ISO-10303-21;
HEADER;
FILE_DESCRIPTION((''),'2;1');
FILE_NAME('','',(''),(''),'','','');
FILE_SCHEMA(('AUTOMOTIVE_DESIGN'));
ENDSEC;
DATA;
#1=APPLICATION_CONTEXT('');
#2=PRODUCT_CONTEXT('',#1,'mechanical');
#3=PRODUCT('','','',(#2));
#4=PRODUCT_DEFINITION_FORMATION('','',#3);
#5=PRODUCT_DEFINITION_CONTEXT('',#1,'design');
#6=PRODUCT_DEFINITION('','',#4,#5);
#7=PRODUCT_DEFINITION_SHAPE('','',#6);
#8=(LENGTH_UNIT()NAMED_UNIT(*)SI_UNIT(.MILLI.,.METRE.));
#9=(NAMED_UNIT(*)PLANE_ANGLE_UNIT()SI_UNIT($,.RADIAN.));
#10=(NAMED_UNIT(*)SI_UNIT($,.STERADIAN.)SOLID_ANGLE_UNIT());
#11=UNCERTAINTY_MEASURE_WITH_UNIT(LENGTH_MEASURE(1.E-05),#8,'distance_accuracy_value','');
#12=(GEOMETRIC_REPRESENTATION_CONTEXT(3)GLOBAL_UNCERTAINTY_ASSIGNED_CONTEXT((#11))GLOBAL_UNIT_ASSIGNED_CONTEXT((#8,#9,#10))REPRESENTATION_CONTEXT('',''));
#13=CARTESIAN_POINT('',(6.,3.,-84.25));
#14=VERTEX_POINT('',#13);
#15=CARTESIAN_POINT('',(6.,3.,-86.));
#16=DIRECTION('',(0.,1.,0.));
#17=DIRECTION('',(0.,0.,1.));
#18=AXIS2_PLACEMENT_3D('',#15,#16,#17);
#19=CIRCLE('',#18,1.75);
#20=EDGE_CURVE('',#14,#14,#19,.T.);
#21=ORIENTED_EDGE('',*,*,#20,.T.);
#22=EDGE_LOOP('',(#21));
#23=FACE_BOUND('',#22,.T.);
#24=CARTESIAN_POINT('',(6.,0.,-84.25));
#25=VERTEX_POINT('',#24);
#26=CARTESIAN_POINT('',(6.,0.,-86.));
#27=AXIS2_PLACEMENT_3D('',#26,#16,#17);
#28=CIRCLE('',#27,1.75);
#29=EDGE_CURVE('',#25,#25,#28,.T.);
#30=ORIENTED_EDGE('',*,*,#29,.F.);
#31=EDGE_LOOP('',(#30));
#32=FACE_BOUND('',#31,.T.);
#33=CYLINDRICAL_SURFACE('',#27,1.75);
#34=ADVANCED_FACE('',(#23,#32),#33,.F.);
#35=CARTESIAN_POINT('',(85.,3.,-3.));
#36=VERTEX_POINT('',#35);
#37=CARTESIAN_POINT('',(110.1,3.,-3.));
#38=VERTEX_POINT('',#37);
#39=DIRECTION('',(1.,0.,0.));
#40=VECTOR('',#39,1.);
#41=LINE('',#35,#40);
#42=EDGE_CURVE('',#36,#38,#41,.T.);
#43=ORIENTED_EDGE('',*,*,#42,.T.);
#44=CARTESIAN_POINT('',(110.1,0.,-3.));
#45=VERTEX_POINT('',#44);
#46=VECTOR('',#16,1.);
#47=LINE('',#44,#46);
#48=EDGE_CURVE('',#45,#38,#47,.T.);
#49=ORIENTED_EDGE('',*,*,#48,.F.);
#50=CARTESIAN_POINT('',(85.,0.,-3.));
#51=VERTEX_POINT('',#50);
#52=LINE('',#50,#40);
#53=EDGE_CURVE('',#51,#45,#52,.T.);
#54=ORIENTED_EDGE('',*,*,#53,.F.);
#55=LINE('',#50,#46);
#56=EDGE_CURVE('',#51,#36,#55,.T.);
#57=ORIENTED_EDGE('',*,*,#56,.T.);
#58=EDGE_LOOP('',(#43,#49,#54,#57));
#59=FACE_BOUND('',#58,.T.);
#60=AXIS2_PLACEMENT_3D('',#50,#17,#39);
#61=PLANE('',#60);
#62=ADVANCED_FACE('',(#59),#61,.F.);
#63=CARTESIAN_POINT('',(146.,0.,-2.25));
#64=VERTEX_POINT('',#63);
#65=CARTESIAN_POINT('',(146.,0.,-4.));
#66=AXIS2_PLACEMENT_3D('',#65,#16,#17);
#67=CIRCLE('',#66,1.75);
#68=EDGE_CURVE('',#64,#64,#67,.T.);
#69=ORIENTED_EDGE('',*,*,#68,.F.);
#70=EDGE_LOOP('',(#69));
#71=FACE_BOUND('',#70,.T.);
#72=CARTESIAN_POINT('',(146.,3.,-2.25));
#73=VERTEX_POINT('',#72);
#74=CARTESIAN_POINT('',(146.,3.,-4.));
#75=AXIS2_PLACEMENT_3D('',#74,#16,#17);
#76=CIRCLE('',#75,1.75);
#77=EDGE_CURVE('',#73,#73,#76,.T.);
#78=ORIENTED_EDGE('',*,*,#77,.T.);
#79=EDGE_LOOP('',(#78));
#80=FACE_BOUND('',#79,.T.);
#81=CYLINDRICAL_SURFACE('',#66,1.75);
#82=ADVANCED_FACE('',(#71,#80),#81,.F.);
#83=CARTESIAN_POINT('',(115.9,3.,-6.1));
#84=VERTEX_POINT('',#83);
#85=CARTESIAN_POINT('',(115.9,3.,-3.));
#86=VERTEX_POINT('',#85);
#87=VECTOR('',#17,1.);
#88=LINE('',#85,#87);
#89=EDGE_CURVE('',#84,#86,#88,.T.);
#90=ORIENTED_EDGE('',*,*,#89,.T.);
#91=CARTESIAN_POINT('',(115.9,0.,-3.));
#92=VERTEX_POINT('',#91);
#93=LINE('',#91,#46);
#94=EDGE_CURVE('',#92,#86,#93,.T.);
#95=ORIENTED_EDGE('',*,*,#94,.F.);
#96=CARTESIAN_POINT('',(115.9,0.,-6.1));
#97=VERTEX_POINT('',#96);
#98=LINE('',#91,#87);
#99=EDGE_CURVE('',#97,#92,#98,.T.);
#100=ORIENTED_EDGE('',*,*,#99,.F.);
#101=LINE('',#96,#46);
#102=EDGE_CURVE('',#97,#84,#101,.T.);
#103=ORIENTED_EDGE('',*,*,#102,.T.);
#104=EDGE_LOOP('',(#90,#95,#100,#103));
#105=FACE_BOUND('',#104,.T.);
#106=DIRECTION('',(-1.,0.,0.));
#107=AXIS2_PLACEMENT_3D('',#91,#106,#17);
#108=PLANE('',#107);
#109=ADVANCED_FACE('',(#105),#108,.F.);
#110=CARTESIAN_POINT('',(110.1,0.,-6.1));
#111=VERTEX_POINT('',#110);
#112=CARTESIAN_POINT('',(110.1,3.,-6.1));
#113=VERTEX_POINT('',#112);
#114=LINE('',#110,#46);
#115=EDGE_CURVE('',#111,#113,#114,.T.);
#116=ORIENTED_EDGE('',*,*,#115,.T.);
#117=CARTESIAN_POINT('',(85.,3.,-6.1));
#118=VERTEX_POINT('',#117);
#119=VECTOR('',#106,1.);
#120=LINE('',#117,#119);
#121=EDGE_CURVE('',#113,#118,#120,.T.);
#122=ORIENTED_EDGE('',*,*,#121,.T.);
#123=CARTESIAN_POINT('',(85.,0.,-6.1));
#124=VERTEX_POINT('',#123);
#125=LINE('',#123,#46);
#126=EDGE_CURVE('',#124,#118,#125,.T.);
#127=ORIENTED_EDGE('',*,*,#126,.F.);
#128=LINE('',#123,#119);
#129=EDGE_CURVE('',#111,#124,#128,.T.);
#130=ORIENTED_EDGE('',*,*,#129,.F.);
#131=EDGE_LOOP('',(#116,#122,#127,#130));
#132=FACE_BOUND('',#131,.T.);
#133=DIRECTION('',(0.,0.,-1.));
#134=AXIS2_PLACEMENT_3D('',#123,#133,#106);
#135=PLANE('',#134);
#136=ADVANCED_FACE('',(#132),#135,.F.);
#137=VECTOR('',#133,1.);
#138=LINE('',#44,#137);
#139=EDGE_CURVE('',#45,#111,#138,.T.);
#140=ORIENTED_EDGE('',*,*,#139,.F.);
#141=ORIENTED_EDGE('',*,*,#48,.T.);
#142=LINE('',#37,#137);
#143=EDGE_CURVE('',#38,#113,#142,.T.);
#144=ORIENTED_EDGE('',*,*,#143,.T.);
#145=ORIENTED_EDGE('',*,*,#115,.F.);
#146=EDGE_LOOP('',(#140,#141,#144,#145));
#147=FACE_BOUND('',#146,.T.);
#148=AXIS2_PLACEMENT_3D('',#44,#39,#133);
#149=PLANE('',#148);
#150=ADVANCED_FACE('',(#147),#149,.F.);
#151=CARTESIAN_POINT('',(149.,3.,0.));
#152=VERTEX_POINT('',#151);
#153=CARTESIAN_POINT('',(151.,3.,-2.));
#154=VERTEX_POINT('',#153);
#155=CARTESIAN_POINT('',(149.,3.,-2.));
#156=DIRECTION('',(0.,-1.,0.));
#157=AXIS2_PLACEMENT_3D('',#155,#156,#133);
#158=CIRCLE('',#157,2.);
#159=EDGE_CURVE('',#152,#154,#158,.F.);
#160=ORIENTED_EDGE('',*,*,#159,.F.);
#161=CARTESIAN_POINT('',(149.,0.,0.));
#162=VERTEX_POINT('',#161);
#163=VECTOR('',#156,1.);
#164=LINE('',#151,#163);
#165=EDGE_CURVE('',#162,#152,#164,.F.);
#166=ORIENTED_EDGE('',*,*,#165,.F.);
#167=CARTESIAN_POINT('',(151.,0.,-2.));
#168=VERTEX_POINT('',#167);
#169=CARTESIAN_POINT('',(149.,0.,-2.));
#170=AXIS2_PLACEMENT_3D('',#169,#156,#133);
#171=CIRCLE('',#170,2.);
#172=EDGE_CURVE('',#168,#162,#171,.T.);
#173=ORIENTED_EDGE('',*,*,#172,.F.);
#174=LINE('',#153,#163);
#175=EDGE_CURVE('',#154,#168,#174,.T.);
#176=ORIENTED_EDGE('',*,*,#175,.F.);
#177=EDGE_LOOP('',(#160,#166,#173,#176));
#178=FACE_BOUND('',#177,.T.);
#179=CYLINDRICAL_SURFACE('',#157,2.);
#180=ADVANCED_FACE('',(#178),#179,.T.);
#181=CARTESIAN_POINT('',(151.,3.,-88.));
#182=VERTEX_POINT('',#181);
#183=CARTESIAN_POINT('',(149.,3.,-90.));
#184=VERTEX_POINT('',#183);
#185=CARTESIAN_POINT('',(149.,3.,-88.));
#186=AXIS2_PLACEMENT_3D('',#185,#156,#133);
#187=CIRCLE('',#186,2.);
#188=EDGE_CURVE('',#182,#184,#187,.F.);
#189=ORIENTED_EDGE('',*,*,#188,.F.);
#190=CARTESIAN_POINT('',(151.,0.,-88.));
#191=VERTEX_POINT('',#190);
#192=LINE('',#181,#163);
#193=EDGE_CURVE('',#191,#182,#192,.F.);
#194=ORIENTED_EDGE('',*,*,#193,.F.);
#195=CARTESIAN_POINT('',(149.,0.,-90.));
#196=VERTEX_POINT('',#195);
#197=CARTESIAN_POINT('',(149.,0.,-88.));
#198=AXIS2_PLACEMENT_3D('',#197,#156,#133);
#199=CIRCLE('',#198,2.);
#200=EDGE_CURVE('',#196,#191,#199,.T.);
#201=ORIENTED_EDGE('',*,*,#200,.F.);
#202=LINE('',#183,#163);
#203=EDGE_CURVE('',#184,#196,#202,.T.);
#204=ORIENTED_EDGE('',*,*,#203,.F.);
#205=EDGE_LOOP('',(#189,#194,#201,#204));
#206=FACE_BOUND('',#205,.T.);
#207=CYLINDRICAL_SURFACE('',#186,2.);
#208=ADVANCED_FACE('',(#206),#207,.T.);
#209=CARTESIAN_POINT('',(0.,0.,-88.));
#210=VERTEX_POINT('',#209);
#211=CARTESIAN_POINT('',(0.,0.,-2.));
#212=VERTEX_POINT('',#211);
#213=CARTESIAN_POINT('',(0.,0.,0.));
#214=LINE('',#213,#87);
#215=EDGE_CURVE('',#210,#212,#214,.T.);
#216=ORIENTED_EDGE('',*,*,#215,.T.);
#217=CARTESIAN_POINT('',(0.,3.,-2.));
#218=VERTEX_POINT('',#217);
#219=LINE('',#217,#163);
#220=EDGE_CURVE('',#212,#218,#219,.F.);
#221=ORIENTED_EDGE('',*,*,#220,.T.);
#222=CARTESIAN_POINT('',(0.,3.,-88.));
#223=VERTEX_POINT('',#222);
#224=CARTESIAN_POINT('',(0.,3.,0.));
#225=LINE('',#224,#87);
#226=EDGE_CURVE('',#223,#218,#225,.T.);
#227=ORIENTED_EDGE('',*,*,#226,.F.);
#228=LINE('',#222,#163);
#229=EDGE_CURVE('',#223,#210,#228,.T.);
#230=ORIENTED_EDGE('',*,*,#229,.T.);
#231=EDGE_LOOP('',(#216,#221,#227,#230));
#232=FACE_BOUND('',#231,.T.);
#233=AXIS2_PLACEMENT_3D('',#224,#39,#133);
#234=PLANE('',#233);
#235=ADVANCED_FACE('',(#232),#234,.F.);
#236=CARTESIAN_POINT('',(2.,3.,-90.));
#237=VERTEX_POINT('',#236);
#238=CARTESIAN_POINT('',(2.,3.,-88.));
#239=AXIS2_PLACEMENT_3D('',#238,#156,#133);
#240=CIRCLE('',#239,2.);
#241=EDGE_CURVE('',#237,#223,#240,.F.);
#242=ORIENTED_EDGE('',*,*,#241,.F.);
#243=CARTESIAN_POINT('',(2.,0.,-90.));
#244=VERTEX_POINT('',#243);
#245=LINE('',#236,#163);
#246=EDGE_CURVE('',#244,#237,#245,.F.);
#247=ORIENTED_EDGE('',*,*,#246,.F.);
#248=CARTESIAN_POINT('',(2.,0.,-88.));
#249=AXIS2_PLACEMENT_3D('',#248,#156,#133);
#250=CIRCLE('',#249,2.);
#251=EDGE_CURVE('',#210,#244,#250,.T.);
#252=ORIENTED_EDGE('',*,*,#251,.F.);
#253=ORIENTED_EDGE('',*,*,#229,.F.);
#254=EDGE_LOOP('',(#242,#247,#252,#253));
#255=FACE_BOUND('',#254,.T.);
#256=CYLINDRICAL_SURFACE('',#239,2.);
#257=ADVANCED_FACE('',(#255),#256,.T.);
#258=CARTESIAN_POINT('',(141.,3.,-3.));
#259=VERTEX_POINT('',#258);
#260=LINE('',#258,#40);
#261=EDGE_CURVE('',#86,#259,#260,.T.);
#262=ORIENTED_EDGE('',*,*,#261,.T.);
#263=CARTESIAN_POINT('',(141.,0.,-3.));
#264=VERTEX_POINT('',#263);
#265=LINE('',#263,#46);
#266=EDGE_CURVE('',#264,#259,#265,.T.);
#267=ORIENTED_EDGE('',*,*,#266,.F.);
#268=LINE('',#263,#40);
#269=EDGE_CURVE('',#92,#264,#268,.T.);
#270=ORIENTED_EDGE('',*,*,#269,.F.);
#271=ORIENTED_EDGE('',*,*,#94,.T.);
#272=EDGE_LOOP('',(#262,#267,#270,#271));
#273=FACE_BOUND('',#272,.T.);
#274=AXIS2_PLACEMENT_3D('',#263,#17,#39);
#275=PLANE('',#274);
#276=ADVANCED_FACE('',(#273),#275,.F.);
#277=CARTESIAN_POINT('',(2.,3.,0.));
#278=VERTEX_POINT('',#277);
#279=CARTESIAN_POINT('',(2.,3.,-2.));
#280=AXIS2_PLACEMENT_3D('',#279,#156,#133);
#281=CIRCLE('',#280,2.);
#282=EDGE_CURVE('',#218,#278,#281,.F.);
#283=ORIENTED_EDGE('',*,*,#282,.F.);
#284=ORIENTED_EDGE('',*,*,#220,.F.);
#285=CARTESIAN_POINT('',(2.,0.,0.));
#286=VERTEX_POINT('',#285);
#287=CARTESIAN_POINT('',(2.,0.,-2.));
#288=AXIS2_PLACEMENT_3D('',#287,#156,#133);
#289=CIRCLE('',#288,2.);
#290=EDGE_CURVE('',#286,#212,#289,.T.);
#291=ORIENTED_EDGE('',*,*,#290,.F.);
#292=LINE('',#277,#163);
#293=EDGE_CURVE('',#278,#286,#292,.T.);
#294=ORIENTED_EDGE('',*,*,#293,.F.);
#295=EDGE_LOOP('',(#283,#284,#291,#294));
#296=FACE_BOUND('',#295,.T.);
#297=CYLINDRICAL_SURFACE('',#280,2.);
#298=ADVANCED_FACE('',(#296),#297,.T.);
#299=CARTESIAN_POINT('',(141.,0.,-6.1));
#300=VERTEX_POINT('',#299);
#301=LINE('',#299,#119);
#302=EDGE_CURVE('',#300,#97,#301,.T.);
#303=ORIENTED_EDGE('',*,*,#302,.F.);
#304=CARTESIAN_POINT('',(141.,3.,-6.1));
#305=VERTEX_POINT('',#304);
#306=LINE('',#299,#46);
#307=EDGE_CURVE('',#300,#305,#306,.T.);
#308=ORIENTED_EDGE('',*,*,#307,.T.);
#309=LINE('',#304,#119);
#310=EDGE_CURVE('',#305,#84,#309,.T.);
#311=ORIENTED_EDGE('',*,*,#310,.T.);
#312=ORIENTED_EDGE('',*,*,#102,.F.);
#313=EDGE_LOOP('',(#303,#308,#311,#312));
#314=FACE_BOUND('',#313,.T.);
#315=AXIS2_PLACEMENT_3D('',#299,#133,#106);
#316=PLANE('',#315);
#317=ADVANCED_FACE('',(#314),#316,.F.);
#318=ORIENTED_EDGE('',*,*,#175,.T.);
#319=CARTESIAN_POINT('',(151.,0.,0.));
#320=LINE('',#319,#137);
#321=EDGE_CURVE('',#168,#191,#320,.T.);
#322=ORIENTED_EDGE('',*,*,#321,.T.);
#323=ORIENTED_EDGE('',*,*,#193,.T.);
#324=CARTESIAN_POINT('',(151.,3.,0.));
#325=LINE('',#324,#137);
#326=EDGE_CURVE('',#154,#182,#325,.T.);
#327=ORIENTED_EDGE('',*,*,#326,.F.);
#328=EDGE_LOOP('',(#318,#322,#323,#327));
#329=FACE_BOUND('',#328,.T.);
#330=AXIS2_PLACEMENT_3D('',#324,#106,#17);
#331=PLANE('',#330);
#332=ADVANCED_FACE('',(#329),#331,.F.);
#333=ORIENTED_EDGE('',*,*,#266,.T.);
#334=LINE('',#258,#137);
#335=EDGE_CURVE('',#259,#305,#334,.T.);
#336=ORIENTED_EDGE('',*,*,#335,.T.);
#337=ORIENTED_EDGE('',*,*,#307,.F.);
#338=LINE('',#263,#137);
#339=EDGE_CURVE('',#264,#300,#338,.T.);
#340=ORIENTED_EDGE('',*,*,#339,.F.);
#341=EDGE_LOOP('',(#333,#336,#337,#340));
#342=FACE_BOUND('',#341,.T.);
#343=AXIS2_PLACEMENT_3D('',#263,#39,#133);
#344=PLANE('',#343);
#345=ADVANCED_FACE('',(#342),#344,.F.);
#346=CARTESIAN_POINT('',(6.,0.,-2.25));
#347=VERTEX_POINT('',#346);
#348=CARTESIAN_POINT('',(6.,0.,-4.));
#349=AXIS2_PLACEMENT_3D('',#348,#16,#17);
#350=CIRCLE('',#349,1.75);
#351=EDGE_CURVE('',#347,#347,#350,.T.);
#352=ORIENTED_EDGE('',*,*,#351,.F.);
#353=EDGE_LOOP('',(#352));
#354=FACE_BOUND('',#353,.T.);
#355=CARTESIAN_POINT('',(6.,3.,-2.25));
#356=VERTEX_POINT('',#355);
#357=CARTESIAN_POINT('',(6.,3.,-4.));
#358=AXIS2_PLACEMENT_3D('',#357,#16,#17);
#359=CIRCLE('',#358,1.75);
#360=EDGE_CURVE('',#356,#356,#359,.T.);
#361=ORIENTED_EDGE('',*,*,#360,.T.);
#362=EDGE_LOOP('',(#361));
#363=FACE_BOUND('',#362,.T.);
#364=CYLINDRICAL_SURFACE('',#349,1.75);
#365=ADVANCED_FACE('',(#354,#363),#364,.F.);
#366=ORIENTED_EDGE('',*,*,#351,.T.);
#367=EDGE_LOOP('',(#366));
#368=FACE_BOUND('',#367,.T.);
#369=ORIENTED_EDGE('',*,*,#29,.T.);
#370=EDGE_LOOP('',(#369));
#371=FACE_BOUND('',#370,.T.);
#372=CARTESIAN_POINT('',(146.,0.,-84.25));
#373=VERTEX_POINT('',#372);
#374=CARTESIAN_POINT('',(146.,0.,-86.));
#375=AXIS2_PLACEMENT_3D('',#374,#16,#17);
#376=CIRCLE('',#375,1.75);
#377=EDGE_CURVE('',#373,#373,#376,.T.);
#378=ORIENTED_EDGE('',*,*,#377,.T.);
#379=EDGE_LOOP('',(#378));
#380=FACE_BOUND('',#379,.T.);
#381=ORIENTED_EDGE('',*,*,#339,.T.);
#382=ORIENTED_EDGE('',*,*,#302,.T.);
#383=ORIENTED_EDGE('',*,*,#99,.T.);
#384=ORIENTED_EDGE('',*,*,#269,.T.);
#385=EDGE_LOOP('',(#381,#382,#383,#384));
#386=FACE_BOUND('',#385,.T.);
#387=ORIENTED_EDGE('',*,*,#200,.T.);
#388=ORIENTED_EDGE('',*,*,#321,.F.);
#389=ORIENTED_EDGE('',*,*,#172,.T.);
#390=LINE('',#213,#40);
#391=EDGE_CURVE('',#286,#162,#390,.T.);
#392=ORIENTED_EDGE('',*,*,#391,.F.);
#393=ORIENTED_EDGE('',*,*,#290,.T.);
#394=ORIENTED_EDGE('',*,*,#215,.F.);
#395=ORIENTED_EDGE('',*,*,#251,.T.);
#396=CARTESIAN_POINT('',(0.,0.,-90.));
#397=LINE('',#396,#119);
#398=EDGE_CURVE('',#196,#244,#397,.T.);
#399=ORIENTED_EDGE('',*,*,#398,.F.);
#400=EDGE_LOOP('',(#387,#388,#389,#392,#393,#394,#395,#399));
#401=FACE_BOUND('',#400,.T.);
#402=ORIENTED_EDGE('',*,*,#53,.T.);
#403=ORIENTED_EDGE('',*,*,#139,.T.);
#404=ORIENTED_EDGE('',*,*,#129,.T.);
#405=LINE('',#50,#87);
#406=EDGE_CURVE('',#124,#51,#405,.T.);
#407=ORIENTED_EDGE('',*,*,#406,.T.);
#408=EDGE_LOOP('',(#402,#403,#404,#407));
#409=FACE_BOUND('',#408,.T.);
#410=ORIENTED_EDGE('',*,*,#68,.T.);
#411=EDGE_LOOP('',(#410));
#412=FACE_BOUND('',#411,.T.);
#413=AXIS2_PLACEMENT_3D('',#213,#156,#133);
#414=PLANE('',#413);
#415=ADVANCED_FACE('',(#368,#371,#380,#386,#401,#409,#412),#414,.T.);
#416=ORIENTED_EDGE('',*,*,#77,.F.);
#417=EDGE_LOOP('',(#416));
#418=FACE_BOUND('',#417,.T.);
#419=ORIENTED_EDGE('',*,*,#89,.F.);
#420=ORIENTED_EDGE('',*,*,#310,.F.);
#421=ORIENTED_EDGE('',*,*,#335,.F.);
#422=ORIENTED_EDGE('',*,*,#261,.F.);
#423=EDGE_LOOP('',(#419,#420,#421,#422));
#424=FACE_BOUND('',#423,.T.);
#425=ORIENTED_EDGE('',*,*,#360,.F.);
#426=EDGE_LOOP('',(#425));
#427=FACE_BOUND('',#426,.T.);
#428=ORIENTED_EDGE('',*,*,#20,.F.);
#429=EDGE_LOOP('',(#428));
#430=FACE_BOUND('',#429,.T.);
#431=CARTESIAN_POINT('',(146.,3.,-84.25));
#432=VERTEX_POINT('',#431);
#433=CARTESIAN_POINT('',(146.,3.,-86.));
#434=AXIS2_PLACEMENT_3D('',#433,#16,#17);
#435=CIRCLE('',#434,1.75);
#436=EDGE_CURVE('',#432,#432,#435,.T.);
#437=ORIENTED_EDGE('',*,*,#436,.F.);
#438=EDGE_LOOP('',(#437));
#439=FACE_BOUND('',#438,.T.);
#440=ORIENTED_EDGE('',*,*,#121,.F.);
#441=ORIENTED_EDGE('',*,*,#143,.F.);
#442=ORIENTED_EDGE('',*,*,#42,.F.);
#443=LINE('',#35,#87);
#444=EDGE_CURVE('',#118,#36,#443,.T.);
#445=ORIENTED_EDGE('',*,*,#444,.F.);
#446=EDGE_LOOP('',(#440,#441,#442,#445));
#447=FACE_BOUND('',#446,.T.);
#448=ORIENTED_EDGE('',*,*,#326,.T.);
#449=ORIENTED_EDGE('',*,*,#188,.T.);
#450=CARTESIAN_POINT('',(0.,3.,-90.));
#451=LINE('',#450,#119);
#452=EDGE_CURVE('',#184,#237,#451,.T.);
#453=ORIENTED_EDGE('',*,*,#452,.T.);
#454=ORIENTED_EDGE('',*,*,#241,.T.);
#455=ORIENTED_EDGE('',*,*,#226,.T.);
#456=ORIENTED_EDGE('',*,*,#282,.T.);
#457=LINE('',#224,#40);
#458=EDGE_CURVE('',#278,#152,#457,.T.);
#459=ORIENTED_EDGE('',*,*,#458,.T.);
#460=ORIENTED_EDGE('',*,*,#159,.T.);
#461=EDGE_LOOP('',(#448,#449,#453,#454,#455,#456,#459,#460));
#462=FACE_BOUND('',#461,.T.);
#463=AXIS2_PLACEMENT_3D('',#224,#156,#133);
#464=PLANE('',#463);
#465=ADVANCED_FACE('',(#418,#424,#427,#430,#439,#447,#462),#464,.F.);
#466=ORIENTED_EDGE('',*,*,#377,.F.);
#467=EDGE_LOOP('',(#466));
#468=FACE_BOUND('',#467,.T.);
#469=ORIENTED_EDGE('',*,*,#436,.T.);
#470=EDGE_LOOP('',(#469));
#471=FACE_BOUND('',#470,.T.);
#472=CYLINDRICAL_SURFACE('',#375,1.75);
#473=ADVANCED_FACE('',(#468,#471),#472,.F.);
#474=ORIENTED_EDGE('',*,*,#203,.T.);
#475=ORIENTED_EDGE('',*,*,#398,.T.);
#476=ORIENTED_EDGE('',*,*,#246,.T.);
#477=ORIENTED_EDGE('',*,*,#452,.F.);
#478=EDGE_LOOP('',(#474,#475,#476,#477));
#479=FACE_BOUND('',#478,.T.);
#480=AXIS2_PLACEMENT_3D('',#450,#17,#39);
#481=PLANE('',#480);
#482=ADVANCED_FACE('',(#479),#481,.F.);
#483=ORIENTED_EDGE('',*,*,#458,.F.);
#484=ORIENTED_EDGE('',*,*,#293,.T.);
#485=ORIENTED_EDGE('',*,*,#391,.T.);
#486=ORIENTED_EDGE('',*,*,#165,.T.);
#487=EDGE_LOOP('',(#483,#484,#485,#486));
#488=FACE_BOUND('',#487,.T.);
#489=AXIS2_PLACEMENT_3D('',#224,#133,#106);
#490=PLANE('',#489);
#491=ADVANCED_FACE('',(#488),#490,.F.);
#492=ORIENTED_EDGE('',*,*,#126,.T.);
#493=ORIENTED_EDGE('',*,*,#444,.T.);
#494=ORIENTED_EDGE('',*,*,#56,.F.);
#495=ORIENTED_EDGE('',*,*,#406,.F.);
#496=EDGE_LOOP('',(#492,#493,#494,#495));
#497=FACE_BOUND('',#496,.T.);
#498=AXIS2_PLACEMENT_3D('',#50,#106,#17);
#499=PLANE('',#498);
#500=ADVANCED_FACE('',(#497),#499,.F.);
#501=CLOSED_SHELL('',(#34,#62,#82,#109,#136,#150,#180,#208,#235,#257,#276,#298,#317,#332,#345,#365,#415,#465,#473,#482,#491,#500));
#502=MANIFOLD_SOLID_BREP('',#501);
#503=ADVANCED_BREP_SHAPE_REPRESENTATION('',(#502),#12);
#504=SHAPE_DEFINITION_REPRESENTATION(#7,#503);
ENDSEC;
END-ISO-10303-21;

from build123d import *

# Parameters (mm, degrees)
SKETCH1_W           = 151
SKETCH1_H           = 90
BOSS_EXTRUDE1_DEPTH = 3
SKETCH2_R           = 1.75
CUT_EXTRUDE1_DEPTH  = 176.812400018
FILLET1_R           = 2
SKETCH3_W           = 25.1
SKETCH3_H           = 3.1
CUT_EXTRUDE2_DEPTH  = 176.812400018


with BuildPart() as part:
    # Sketch1 → Boss-Extrude1 (new body)
    with BuildSketch(Plane(origin=(0, 0, 0), x_dir=(1, 0, 0), z_dir=(0, 1, 0))):
        with Locations((75.5, 45)):
            Rectangle(SKETCH1_W, SKETCH1_H)
    extrude(amount=BOSS_EXTRUDE1_DEPTH)

    # Sketch2 → Cut-Extrude1 (cut, through all)
    with BuildSketch(Plane(origin=(0, 3, 0), x_dir=(1, 0, 0), z_dir=(0, 1, 0))):
        with Locations(Location((146, 86, 0), (0, 0, 270))):
            Circle(SKETCH2_R)
        with Locations(Location((146, 4, 0), (0, 0, 270))):
            Circle(SKETCH2_R)
        with Locations(Location((6, 86, 0), (0, 0, 270))):
            Circle(SKETCH2_R)
        with Locations(Location((6, 4, 0), (0, 0, 270))):
            Circle(SKETCH2_R)
    extrude(amount=-CUT_EXTRUDE1_DEPTH, mode=Mode.SUBTRACT)

    # Fillet1
    fillet1_edges = [part.edges().sort_by_distance(p)[0] for p in [
        (0, 1.5, -90),
        (151, 1.5, -90),
        (151, 1.5, 0),
        (0, 1.5, 0),
    ]]
    fillet(fillet1_edges, radius=FILLET1_R)

    # Sketch3 → Cut-Extrude2 (cut, through all)
    with BuildSketch(Plane(origin=(0, 3, 0), x_dir=(1, 0, 0), z_dir=(0, 1, 0))):
        with Locations((97.55, 4.55)):
            Rectangle(SKETCH3_W, SKETCH3_H)
        with Locations((128.45, 4.55)):
            Rectangle(SKETCH3_W, SKETCH3_H)
    extrude(amount=-CUT_EXTRUDE2_DEPTH, mode=Mode.SUBTRACT)


solid = part.part
